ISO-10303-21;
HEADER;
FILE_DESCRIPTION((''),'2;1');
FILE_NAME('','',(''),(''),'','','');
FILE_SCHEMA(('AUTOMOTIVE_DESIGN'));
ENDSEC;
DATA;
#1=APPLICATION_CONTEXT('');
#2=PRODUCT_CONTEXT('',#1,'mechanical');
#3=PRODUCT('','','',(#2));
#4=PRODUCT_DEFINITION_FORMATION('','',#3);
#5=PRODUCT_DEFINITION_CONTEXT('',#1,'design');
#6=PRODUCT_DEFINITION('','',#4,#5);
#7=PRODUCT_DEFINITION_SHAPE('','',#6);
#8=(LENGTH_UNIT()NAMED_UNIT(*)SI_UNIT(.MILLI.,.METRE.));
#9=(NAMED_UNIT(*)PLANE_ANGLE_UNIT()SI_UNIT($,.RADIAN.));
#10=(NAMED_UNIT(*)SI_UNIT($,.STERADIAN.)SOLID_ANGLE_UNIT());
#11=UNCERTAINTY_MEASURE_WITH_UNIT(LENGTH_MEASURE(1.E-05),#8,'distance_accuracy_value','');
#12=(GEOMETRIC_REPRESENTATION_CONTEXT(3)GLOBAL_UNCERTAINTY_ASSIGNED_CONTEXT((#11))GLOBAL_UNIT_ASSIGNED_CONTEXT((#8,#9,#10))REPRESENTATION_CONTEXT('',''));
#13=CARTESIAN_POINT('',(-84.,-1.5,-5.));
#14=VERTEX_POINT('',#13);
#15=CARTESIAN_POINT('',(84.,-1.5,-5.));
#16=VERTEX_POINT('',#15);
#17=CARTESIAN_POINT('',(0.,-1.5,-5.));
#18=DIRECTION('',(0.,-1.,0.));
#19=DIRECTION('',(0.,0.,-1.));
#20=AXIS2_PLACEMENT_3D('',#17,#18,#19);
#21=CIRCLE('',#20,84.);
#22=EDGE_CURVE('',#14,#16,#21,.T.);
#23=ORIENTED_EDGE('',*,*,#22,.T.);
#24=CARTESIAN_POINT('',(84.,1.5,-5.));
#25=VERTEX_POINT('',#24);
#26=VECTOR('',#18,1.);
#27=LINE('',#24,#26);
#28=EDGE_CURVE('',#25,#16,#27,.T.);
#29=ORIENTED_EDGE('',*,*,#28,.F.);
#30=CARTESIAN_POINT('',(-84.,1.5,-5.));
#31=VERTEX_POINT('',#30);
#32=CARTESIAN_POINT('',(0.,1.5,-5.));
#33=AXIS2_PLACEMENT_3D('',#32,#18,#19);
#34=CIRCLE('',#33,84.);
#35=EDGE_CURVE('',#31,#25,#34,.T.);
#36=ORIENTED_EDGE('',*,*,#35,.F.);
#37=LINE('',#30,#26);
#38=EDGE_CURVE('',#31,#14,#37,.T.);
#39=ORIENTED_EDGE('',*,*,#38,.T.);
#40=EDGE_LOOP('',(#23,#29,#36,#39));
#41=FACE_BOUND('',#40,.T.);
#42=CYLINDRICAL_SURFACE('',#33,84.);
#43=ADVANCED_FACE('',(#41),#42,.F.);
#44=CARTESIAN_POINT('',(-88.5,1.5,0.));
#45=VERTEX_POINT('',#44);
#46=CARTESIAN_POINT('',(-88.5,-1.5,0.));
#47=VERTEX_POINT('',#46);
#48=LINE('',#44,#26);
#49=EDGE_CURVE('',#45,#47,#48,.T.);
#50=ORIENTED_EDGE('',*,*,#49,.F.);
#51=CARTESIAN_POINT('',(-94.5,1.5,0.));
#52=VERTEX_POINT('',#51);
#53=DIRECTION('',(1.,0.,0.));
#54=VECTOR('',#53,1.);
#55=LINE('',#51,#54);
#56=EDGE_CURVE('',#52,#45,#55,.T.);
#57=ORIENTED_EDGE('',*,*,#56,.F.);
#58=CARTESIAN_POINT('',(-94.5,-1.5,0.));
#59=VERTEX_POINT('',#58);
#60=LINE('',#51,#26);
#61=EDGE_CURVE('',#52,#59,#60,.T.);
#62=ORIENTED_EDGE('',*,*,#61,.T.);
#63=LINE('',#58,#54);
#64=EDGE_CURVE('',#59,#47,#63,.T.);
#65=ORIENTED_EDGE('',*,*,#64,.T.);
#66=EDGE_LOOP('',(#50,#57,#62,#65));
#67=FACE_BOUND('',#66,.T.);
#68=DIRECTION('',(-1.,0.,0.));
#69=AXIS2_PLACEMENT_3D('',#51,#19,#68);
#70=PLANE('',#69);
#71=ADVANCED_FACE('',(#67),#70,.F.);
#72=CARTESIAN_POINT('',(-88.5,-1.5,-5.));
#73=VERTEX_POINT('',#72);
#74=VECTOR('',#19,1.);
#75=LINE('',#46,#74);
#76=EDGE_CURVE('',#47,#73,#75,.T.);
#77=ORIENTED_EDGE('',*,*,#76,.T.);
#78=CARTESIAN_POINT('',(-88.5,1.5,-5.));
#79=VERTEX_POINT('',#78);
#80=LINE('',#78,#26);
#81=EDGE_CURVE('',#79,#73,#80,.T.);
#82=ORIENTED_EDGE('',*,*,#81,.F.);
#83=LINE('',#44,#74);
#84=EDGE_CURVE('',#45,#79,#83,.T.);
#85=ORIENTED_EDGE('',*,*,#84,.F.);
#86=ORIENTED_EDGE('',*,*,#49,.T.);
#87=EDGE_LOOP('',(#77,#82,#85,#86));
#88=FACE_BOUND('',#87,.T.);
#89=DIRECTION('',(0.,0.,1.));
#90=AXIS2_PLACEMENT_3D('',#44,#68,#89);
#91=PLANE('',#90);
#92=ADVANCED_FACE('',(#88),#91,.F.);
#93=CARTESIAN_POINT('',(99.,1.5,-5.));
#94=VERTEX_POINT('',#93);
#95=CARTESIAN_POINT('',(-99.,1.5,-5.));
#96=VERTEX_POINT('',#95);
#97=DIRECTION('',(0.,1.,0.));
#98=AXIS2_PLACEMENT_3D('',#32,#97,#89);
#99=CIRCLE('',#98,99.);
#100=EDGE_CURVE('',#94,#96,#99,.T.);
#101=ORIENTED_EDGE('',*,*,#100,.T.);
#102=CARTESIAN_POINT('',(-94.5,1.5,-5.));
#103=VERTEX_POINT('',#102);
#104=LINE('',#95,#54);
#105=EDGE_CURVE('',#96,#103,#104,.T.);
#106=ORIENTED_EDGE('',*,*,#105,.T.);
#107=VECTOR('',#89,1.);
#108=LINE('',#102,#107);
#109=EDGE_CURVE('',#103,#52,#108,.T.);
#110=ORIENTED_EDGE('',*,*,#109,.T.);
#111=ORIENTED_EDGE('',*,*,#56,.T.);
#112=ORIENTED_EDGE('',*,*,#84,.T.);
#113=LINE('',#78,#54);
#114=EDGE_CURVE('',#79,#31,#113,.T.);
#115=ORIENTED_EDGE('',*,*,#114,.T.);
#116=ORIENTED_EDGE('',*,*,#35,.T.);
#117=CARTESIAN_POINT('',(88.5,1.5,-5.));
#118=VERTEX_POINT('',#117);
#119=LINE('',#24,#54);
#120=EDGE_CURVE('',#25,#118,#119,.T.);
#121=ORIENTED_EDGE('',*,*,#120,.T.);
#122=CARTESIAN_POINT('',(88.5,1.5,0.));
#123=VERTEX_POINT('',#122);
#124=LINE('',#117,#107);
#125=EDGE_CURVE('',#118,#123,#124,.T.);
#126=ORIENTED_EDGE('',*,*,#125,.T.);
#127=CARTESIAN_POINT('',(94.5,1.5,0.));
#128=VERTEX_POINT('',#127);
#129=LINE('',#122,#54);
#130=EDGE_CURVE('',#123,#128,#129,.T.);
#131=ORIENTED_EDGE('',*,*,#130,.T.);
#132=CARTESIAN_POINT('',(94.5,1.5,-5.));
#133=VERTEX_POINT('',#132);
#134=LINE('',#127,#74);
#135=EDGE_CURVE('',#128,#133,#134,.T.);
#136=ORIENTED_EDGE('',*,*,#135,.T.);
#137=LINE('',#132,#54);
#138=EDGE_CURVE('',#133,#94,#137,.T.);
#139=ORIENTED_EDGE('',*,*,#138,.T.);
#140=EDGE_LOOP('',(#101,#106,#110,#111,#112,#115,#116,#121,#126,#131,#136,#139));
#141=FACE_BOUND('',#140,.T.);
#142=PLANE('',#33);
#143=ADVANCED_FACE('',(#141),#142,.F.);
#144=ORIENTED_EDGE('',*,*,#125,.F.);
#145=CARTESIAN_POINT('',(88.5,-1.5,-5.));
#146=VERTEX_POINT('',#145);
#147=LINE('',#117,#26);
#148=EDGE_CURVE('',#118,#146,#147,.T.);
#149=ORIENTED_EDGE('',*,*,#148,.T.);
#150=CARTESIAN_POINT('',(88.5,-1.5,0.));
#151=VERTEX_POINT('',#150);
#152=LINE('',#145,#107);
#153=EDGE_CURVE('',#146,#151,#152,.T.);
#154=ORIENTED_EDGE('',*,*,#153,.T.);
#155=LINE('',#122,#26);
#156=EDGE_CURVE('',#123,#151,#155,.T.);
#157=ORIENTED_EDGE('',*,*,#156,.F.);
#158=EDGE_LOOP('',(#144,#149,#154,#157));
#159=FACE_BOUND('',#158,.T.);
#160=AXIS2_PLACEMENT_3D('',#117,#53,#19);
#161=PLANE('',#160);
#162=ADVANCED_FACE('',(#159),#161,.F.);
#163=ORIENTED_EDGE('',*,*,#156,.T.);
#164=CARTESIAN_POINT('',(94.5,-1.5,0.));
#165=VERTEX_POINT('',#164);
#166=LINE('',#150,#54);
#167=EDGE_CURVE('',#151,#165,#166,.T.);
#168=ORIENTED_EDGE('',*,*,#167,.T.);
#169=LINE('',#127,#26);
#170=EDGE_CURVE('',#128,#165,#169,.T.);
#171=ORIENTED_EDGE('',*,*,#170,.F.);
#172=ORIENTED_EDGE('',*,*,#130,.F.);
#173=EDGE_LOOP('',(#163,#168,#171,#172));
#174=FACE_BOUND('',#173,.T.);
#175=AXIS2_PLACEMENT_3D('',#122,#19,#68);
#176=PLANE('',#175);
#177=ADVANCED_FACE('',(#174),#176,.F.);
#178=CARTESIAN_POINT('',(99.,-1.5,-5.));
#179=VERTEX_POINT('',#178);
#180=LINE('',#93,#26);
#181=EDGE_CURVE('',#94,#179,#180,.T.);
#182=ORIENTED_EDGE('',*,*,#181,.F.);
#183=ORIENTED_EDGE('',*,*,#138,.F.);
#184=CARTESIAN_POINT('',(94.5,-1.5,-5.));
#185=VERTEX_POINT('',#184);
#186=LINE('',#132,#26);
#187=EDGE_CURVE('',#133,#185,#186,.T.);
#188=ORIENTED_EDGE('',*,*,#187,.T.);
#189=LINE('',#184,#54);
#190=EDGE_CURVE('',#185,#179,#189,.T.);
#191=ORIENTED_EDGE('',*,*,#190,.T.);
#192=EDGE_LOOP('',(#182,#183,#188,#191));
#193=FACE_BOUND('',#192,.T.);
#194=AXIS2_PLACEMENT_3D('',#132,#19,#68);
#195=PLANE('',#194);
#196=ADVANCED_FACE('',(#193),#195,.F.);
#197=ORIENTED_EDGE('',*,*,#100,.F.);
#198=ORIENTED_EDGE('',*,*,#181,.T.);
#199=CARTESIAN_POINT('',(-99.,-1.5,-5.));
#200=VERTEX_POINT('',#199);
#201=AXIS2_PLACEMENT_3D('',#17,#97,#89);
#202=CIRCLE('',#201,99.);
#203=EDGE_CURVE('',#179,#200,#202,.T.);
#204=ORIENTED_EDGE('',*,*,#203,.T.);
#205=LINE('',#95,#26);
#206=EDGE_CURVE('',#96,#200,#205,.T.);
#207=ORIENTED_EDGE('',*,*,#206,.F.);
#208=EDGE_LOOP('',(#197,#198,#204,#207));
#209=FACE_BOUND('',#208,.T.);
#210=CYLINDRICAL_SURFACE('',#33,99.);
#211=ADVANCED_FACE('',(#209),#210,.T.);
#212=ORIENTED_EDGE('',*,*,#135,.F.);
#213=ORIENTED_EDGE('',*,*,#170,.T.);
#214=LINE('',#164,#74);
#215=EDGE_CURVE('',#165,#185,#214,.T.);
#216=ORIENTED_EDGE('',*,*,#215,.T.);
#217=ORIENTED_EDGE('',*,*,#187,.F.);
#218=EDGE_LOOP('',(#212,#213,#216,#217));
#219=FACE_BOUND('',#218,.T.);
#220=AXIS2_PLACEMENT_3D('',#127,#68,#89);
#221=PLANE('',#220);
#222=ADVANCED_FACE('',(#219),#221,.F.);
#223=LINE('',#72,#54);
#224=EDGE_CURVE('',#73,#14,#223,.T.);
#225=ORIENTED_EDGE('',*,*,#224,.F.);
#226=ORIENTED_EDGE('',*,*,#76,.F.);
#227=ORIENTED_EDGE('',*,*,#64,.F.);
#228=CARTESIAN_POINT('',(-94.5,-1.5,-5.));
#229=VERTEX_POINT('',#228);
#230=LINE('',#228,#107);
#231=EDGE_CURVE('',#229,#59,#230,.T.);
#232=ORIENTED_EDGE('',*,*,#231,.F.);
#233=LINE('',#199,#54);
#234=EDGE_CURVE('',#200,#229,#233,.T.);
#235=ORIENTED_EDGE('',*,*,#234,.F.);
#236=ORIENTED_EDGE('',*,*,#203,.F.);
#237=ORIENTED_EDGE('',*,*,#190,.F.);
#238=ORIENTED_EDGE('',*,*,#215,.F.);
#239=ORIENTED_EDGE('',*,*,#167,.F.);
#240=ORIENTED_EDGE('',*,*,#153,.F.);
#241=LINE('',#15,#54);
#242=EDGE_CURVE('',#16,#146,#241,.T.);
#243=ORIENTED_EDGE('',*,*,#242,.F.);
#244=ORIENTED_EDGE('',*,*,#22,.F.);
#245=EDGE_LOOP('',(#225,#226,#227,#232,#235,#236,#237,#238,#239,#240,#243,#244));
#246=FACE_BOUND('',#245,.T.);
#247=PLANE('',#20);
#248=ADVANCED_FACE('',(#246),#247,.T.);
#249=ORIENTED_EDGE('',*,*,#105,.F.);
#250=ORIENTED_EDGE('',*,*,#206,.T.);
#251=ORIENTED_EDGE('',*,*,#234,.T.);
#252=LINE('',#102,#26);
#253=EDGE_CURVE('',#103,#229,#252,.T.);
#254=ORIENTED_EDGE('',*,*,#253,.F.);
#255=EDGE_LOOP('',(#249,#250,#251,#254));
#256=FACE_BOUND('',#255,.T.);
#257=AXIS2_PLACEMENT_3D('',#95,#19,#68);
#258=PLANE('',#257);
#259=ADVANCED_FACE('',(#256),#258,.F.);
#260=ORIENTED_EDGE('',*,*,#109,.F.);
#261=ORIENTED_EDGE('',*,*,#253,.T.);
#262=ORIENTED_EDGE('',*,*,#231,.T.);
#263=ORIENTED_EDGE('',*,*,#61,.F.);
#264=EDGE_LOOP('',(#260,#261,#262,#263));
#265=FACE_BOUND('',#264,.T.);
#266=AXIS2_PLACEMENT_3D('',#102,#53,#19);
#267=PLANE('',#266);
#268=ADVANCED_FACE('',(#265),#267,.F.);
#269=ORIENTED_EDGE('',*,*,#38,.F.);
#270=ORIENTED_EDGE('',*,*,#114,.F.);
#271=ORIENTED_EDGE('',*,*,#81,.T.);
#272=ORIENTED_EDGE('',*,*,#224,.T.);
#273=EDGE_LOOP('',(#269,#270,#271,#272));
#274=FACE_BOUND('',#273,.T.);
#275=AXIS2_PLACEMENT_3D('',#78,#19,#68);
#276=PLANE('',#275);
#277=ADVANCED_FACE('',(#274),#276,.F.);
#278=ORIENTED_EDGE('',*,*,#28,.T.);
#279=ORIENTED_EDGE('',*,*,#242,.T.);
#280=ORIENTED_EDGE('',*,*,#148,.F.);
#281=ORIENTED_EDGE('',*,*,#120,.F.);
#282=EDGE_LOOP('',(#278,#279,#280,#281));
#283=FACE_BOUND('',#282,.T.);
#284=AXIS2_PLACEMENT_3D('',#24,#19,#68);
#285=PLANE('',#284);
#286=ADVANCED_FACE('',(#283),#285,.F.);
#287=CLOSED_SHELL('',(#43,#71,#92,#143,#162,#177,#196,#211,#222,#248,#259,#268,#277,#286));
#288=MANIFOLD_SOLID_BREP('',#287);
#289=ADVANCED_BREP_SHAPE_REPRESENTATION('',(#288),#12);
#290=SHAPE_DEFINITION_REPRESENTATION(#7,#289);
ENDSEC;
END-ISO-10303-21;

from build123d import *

# Parameters (mm, degrees)
BOSS_EXTRUDE1_DEPTH = 1.5


with BuildPart() as part:
    # Sketch1 → Boss-Extrude1 (new body, symmetric)
    with BuildSketch(Plane(origin=(0, 0, 0), x_dir=(1, 0, 0), z_dir=(0, 1, 0))):
        with BuildLine():
            Line((-94.5, 0), (-88.5, 0))
            Line((-88.5, 0), (-88.5, 5))
            Line((-88.5, 5), (-84, 5))
            ThreePointArc((-84, 5), (0, 89), (84, 5))
            Line((84, 5), (88.5, 5))
            Line((88.5, 5), (88.5, 0))
            Line((88.5, 0), (94.5, 0))
            Line((94.5, 0), (94.5, 5))
            Line((94.5, 5), (99, 5))
            ThreePointArc((99, 5), (0, 104), (-99, 5))
            Line((-99, 5), (-94.5, 5))
            Line((-94.5, 5), (-94.5, 0))
        make_face()
    extrude(amount=BOSS_EXTRUDE1_DEPTH, both=True)


solid = part.part
